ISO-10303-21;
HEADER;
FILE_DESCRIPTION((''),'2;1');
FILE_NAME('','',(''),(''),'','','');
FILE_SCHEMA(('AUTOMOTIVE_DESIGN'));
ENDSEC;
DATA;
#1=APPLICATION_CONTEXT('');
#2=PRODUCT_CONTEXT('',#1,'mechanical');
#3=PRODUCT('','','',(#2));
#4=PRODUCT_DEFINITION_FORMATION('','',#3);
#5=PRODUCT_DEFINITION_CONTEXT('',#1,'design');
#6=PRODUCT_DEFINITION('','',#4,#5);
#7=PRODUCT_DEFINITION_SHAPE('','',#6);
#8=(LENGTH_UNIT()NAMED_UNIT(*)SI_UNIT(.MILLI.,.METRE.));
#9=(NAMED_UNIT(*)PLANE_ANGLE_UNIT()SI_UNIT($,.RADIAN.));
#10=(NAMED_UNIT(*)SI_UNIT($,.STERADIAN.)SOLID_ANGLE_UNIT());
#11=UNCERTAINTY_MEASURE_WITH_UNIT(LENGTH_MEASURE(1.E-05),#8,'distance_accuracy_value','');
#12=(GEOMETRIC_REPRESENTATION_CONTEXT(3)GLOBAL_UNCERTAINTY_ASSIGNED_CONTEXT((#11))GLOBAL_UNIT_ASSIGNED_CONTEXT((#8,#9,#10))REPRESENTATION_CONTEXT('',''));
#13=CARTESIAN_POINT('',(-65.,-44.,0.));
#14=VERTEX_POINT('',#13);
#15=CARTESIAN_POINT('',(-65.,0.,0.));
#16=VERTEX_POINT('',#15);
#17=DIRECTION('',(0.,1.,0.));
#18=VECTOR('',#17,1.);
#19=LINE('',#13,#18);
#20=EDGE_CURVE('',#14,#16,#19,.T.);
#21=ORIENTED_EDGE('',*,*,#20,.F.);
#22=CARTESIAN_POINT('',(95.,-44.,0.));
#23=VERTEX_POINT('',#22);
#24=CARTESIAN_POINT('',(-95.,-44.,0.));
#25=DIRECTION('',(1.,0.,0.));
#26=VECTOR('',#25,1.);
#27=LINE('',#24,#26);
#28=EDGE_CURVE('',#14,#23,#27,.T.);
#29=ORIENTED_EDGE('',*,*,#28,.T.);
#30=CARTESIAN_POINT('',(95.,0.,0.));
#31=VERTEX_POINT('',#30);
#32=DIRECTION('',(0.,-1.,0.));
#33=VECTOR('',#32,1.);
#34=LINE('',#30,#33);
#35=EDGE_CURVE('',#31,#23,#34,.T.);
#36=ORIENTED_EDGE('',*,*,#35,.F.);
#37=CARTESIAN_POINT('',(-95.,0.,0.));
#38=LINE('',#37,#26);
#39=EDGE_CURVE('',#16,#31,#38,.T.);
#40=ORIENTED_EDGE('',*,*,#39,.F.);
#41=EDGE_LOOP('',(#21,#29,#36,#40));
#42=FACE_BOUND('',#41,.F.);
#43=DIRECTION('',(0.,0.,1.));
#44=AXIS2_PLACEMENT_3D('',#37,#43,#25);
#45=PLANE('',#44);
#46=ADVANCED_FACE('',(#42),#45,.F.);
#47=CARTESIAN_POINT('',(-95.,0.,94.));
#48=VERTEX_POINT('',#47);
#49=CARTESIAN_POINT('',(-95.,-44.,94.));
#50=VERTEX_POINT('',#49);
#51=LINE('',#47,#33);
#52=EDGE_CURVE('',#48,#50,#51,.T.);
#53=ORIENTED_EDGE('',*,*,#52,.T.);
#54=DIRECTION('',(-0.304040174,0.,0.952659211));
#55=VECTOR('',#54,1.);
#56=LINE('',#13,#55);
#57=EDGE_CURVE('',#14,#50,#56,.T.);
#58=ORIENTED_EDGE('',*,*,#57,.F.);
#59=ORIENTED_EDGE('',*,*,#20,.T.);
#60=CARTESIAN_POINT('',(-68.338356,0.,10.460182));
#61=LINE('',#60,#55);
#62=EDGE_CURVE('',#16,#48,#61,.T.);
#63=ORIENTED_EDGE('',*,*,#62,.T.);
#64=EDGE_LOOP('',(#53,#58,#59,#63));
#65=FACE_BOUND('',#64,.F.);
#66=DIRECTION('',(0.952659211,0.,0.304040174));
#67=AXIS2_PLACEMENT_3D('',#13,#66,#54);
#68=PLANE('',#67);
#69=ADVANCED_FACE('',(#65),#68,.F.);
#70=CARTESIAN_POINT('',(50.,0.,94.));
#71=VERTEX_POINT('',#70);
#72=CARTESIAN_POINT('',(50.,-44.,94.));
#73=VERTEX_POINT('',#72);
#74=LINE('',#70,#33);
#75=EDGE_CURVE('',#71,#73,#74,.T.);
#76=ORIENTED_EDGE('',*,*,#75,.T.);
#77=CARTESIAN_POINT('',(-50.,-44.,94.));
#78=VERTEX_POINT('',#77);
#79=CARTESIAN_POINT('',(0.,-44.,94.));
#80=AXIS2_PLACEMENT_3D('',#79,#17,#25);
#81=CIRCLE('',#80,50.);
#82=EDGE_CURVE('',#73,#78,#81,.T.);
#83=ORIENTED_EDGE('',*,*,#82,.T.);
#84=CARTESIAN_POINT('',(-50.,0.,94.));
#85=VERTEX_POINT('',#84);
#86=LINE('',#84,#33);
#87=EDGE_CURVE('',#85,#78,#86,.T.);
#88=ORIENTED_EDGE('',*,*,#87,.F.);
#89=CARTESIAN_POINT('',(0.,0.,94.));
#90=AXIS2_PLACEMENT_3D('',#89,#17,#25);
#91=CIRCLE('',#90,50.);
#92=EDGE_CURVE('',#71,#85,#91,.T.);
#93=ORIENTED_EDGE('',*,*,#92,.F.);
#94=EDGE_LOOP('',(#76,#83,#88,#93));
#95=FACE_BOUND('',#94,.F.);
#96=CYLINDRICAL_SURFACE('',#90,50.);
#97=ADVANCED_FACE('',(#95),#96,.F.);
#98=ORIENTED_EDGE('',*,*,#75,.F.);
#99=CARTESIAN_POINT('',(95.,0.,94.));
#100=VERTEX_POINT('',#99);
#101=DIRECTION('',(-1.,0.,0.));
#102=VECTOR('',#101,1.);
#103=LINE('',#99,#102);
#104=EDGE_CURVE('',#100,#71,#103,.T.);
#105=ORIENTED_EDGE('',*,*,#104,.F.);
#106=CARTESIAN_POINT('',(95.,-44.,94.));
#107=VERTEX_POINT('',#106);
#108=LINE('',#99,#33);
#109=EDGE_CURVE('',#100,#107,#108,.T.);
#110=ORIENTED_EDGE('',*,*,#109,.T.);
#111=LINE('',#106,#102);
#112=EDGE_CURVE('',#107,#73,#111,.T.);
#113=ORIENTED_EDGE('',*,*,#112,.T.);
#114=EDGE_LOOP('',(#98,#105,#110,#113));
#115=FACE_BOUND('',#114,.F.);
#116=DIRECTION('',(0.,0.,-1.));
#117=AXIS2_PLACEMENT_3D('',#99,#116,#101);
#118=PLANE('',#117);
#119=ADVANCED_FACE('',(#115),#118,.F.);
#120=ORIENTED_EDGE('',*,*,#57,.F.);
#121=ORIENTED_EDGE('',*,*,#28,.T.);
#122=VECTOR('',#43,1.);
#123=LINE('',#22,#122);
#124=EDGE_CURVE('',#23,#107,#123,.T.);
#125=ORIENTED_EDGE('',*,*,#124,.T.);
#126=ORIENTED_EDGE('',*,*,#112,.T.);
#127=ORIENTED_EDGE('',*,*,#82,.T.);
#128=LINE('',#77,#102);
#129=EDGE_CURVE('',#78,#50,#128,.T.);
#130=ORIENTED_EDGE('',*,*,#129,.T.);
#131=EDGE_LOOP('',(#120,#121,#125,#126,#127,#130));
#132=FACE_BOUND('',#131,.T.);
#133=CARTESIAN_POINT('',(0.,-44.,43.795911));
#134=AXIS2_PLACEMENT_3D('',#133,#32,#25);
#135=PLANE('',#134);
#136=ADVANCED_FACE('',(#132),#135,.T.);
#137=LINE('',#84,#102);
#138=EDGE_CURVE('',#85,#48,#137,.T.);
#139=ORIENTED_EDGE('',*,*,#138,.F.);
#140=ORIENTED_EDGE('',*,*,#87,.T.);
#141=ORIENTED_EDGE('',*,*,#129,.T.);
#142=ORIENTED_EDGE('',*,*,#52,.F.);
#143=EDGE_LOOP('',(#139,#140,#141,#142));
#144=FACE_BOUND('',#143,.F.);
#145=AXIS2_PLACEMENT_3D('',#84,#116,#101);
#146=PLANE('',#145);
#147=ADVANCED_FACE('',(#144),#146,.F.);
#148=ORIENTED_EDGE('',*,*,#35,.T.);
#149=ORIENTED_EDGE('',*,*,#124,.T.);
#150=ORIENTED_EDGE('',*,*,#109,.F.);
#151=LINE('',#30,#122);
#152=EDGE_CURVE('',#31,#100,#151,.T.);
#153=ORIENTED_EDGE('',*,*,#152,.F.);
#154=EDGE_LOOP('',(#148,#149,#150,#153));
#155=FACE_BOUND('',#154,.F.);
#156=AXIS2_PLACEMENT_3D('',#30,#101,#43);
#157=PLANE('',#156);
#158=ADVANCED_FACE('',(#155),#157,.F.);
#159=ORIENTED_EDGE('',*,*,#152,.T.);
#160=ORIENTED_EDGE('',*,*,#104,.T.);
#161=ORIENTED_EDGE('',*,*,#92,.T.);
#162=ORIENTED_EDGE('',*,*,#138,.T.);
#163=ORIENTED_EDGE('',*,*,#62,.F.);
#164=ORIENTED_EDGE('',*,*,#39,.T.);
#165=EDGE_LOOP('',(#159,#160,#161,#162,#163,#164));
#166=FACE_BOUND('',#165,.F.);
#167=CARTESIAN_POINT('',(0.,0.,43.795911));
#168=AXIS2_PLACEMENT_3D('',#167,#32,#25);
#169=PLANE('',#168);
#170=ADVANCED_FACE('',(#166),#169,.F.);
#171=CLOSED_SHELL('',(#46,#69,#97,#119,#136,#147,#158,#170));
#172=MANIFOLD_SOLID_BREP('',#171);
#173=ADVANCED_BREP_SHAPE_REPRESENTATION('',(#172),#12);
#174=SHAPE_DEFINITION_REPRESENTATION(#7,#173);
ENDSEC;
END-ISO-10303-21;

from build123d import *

# Parameters (mm, degrees)
F1_DEPTH = 44
F3_DEPTH = 44.001


with BuildPart() as f1:
    # F0 (on Front) → F1 (new body)
    with BuildSketch(Plane.XZ):
        with BuildLine():
            Line((-95, 94), (-95, 0))
            Line((-95, 0), (95, 0))
            Line((95, 0), (95, 94))
            Line((95, 94), (50, 94))
            ThreePointArc((50, 94), (0, 44), (-50, 94))
            Line((-50, 94), (-95, 94))
        make_face()
    extrude(amount=F1_DEPTH)

    # F2 (on face) → F3 (cut, through all)
    with BuildSketch(Plane.XZ.offset(44)):
        Polygon((-65, 0), (-95, 94), (-95, 0), align=None)
    extrude(amount=-F3_DEPTH, mode=Mode.SUBTRACT)


solid = f1.part
